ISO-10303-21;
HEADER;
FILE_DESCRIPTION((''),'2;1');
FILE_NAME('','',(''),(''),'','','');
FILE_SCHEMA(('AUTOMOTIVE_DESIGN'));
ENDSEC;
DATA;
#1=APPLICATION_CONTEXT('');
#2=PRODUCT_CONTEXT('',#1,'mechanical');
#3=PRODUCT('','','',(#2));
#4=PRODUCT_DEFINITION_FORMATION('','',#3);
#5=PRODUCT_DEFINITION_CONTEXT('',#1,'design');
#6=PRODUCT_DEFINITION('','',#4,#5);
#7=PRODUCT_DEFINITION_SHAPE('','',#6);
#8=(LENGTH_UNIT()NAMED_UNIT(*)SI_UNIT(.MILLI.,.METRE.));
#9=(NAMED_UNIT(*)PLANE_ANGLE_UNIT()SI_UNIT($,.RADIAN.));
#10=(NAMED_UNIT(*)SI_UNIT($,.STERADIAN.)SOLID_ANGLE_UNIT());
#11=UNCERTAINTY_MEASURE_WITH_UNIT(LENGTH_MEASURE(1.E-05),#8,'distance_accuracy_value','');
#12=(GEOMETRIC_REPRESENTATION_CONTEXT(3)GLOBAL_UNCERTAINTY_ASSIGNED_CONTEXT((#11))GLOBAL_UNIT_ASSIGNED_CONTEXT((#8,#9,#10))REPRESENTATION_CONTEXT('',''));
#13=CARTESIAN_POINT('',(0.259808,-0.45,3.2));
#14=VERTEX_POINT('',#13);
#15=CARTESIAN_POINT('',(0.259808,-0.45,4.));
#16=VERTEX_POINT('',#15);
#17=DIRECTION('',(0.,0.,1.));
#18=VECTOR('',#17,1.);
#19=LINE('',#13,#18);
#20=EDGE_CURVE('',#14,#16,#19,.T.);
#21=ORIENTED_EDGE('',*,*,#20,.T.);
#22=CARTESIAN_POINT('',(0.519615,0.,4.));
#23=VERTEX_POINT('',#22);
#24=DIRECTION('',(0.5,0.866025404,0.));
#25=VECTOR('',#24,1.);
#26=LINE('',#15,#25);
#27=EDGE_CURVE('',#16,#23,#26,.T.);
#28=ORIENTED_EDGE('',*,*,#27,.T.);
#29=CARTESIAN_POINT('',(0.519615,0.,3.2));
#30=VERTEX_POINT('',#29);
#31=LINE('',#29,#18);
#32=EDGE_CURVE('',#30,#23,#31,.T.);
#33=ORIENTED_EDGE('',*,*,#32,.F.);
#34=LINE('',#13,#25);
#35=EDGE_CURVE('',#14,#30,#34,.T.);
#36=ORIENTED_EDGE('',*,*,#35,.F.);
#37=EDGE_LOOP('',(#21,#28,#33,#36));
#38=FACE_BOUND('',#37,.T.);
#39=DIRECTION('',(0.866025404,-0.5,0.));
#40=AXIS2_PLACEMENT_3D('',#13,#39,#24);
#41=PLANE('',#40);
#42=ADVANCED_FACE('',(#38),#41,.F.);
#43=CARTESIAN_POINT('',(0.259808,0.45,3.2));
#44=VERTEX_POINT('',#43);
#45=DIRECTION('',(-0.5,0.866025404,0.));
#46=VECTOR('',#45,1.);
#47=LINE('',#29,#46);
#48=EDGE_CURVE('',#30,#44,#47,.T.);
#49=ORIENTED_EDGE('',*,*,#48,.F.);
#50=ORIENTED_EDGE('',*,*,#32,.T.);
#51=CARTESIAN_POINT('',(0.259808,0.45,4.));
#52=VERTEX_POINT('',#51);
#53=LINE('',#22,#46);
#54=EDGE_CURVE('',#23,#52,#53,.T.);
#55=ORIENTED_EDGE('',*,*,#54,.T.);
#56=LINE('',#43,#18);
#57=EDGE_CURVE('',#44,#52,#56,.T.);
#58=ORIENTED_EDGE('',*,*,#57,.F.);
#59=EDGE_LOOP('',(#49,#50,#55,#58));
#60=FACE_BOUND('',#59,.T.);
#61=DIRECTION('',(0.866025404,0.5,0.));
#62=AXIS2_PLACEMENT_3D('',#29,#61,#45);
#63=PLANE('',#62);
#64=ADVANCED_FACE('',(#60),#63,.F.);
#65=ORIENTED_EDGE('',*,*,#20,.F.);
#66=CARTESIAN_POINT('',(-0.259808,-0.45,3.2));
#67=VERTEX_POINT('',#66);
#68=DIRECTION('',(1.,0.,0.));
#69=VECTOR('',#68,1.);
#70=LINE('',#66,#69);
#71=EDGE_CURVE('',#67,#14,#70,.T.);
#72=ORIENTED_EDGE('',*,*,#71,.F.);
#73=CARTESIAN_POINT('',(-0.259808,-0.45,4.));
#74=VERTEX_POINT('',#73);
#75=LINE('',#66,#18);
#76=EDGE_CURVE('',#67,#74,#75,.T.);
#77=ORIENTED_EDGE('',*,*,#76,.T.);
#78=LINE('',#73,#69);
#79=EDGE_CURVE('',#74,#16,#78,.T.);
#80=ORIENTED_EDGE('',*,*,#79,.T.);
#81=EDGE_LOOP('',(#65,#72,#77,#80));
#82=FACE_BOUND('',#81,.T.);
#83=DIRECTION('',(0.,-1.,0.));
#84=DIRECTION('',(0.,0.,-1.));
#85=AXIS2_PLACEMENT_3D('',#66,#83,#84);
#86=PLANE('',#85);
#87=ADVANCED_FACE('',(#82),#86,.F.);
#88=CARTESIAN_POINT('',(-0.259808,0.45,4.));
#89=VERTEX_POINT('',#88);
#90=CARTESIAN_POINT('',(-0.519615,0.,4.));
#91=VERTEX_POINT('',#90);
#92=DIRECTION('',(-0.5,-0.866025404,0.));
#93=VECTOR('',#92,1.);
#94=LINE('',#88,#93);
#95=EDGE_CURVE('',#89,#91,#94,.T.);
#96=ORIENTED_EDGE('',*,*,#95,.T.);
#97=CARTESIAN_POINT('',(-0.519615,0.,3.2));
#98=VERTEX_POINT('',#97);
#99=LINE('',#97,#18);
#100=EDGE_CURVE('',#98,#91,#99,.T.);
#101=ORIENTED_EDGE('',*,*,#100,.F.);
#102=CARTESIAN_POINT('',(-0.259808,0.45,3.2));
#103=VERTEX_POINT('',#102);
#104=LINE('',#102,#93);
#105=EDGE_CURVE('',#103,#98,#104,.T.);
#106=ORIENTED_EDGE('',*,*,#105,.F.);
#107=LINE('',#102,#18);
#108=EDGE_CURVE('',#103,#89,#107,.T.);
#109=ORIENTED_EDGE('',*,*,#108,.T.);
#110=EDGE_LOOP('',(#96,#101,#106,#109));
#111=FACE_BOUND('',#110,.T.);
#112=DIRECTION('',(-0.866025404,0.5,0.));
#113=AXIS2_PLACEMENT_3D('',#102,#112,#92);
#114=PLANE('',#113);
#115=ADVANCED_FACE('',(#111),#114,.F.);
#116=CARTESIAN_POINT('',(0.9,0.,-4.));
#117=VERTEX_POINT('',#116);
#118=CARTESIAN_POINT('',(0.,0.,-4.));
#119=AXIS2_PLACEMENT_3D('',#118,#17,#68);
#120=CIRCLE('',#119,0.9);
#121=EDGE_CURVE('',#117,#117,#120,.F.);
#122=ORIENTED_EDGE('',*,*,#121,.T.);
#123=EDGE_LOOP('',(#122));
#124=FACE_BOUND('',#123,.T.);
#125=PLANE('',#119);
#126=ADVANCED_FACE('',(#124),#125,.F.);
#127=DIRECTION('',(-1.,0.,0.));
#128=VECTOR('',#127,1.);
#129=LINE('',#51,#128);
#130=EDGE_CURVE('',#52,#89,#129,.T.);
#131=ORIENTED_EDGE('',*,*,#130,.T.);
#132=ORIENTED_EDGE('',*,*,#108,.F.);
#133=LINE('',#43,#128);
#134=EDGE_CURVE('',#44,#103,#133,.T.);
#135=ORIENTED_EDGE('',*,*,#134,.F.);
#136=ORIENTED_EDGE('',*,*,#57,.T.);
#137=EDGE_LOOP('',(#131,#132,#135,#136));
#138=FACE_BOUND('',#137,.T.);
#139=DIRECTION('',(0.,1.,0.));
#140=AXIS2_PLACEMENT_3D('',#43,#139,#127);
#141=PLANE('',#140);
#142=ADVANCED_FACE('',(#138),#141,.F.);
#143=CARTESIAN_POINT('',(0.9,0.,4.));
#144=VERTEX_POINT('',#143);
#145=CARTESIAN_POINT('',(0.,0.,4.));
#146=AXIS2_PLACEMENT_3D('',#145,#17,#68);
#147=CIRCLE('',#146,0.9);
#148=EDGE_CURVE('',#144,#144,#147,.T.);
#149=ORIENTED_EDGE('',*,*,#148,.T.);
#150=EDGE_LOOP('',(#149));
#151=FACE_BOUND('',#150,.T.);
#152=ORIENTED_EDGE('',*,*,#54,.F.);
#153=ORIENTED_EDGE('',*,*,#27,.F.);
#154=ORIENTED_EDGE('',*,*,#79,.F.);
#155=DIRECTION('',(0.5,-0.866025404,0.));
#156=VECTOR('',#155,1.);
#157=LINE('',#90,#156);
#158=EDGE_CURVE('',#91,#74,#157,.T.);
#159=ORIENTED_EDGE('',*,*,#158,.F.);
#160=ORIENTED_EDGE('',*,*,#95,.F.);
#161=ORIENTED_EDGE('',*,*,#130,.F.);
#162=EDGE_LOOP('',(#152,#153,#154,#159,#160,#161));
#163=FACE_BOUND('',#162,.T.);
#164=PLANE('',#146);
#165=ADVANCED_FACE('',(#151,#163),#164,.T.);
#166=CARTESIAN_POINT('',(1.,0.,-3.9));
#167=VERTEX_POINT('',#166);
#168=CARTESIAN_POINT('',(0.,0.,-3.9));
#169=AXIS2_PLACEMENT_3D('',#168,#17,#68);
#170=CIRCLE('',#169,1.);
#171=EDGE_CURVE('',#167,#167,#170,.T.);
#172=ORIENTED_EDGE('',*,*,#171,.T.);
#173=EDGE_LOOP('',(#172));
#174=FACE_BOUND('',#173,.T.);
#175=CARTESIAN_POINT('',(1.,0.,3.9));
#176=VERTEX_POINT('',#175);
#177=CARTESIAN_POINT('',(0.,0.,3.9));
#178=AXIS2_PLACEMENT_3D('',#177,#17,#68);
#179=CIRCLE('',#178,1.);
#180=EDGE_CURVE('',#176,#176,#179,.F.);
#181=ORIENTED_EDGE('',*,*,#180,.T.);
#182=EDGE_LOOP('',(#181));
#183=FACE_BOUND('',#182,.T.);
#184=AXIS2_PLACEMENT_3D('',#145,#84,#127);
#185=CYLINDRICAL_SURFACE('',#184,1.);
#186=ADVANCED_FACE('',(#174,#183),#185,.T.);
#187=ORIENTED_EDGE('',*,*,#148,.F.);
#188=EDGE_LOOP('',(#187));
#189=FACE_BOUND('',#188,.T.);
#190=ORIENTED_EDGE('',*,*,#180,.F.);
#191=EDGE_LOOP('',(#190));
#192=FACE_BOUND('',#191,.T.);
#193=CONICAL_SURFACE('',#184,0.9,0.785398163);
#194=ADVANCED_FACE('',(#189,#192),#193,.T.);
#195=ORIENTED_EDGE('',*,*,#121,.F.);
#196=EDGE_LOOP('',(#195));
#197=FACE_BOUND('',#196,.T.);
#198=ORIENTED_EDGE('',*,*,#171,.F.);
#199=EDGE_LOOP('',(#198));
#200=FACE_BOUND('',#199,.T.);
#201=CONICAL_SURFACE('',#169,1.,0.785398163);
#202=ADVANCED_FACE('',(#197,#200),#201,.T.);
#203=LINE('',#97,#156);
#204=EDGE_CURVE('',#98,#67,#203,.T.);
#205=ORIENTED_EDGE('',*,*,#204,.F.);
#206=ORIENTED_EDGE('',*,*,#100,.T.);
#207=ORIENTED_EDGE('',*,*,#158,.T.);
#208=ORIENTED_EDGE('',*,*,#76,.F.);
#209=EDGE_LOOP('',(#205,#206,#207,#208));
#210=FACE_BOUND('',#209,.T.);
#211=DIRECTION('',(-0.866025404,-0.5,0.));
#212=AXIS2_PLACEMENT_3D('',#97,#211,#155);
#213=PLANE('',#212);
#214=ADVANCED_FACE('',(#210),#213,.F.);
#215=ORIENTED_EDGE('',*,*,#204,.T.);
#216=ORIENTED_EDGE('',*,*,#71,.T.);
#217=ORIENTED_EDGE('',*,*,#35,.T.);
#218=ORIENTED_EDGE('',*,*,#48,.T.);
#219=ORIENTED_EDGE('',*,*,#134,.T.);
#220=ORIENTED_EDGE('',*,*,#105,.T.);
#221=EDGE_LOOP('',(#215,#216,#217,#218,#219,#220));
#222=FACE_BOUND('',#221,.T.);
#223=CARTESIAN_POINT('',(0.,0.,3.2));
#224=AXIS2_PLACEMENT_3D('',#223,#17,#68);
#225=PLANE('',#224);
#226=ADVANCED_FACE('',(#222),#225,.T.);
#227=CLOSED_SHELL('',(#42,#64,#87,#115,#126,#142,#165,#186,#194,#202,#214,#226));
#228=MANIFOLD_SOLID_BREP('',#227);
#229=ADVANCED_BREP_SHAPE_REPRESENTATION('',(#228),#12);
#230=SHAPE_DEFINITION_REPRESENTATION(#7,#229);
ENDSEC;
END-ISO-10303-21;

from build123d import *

# Parameters (mm, degrees)
SKETCH_1_R          = 1
EXTRUDE_1_DEPTH     = 4
CUT_EXTRUDE_1_DEPTH = 0.8
CHAMFER_1_SIZE      = 0.1


with BuildPart() as part:
    # 草图1 → 凸台-拉伸1 (new, symmetric)
    with BuildSketch(Plane.XY):
        Circle(SKETCH_1_R)
    extrude(amount=EXTRUDE_1_DEPTH, both=True)

    # 草图2 → 切除-拉伸1 (cut)
    with BuildSketch(Plane.XY.offset(4)):
        Polygon((0.259807621, 0.45), (-0.259807621, 0.45), (-0.519615242, 0), (-0.259807621, -0.45), (0.259807621, -0.45), (0.519615242, 0), align=None)
    extrude(amount=-CUT_EXTRUDE_1_DEPTH, mode=Mode.SUBTRACT)

    # 倒角1
    chamfer_1_edges = [part.edges().sort_by_distance(p)[0] for p in [
        (-1, 0, -4),
        (-1, 0, 4),
    ]]
    chamfer(chamfer_1_edges, length=CHAMFER_1_SIZE)


solid = part.part
